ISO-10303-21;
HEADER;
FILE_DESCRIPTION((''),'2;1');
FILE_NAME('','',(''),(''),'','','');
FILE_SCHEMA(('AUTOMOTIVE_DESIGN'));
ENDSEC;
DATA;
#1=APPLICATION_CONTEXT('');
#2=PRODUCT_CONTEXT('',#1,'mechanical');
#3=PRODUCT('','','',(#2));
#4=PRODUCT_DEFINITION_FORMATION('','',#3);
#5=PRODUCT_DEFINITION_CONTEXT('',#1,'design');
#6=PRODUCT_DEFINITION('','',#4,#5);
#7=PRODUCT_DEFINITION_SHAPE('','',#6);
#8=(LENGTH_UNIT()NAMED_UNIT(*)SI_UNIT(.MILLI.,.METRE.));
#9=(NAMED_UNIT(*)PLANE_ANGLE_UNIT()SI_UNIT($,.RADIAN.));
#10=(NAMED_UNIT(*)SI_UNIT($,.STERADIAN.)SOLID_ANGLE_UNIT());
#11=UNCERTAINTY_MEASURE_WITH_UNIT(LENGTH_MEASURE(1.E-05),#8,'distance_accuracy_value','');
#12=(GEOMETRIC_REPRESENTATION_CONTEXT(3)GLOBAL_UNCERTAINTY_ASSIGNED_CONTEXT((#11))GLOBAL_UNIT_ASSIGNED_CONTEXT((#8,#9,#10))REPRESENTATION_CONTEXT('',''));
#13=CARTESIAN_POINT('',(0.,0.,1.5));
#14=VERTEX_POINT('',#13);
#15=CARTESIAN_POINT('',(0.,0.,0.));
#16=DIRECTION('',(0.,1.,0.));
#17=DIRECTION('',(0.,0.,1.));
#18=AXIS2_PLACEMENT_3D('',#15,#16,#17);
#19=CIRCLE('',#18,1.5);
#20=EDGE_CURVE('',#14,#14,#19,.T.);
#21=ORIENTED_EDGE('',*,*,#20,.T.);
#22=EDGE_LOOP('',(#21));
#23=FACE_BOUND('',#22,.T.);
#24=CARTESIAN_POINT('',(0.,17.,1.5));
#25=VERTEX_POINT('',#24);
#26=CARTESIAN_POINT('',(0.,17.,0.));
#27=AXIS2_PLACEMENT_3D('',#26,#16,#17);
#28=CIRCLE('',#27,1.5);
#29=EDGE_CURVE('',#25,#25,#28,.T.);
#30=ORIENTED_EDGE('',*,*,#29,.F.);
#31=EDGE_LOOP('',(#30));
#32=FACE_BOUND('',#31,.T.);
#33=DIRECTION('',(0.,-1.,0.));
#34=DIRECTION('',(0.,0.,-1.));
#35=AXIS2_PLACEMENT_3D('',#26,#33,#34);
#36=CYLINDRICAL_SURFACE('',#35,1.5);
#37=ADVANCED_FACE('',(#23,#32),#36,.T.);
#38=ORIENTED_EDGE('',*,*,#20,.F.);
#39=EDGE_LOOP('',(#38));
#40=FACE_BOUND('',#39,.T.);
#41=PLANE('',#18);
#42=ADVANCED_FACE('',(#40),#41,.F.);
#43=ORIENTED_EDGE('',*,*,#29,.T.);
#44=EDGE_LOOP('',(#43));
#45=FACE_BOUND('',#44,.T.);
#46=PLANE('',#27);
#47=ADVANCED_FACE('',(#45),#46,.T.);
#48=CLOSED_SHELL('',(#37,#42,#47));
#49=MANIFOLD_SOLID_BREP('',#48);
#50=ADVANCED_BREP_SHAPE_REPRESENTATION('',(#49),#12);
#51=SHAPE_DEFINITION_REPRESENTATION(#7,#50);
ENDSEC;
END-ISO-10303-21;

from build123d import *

# Parameters (mm, degrees)
SKETCH1_R           = 1.5
BOSS_EXTRUDE1_DEPTH = 17


with BuildPart() as part:
    # Sketch1 → Boss-Extrude1 (new body)
    with BuildSketch(Plane(origin=(0, 0, 0), x_dir=(1, 0, 0), z_dir=(0, 1, 0))):
        Circle(SKETCH1_R)
    extrude(amount=BOSS_EXTRUDE1_DEPTH)


solid = part.part
